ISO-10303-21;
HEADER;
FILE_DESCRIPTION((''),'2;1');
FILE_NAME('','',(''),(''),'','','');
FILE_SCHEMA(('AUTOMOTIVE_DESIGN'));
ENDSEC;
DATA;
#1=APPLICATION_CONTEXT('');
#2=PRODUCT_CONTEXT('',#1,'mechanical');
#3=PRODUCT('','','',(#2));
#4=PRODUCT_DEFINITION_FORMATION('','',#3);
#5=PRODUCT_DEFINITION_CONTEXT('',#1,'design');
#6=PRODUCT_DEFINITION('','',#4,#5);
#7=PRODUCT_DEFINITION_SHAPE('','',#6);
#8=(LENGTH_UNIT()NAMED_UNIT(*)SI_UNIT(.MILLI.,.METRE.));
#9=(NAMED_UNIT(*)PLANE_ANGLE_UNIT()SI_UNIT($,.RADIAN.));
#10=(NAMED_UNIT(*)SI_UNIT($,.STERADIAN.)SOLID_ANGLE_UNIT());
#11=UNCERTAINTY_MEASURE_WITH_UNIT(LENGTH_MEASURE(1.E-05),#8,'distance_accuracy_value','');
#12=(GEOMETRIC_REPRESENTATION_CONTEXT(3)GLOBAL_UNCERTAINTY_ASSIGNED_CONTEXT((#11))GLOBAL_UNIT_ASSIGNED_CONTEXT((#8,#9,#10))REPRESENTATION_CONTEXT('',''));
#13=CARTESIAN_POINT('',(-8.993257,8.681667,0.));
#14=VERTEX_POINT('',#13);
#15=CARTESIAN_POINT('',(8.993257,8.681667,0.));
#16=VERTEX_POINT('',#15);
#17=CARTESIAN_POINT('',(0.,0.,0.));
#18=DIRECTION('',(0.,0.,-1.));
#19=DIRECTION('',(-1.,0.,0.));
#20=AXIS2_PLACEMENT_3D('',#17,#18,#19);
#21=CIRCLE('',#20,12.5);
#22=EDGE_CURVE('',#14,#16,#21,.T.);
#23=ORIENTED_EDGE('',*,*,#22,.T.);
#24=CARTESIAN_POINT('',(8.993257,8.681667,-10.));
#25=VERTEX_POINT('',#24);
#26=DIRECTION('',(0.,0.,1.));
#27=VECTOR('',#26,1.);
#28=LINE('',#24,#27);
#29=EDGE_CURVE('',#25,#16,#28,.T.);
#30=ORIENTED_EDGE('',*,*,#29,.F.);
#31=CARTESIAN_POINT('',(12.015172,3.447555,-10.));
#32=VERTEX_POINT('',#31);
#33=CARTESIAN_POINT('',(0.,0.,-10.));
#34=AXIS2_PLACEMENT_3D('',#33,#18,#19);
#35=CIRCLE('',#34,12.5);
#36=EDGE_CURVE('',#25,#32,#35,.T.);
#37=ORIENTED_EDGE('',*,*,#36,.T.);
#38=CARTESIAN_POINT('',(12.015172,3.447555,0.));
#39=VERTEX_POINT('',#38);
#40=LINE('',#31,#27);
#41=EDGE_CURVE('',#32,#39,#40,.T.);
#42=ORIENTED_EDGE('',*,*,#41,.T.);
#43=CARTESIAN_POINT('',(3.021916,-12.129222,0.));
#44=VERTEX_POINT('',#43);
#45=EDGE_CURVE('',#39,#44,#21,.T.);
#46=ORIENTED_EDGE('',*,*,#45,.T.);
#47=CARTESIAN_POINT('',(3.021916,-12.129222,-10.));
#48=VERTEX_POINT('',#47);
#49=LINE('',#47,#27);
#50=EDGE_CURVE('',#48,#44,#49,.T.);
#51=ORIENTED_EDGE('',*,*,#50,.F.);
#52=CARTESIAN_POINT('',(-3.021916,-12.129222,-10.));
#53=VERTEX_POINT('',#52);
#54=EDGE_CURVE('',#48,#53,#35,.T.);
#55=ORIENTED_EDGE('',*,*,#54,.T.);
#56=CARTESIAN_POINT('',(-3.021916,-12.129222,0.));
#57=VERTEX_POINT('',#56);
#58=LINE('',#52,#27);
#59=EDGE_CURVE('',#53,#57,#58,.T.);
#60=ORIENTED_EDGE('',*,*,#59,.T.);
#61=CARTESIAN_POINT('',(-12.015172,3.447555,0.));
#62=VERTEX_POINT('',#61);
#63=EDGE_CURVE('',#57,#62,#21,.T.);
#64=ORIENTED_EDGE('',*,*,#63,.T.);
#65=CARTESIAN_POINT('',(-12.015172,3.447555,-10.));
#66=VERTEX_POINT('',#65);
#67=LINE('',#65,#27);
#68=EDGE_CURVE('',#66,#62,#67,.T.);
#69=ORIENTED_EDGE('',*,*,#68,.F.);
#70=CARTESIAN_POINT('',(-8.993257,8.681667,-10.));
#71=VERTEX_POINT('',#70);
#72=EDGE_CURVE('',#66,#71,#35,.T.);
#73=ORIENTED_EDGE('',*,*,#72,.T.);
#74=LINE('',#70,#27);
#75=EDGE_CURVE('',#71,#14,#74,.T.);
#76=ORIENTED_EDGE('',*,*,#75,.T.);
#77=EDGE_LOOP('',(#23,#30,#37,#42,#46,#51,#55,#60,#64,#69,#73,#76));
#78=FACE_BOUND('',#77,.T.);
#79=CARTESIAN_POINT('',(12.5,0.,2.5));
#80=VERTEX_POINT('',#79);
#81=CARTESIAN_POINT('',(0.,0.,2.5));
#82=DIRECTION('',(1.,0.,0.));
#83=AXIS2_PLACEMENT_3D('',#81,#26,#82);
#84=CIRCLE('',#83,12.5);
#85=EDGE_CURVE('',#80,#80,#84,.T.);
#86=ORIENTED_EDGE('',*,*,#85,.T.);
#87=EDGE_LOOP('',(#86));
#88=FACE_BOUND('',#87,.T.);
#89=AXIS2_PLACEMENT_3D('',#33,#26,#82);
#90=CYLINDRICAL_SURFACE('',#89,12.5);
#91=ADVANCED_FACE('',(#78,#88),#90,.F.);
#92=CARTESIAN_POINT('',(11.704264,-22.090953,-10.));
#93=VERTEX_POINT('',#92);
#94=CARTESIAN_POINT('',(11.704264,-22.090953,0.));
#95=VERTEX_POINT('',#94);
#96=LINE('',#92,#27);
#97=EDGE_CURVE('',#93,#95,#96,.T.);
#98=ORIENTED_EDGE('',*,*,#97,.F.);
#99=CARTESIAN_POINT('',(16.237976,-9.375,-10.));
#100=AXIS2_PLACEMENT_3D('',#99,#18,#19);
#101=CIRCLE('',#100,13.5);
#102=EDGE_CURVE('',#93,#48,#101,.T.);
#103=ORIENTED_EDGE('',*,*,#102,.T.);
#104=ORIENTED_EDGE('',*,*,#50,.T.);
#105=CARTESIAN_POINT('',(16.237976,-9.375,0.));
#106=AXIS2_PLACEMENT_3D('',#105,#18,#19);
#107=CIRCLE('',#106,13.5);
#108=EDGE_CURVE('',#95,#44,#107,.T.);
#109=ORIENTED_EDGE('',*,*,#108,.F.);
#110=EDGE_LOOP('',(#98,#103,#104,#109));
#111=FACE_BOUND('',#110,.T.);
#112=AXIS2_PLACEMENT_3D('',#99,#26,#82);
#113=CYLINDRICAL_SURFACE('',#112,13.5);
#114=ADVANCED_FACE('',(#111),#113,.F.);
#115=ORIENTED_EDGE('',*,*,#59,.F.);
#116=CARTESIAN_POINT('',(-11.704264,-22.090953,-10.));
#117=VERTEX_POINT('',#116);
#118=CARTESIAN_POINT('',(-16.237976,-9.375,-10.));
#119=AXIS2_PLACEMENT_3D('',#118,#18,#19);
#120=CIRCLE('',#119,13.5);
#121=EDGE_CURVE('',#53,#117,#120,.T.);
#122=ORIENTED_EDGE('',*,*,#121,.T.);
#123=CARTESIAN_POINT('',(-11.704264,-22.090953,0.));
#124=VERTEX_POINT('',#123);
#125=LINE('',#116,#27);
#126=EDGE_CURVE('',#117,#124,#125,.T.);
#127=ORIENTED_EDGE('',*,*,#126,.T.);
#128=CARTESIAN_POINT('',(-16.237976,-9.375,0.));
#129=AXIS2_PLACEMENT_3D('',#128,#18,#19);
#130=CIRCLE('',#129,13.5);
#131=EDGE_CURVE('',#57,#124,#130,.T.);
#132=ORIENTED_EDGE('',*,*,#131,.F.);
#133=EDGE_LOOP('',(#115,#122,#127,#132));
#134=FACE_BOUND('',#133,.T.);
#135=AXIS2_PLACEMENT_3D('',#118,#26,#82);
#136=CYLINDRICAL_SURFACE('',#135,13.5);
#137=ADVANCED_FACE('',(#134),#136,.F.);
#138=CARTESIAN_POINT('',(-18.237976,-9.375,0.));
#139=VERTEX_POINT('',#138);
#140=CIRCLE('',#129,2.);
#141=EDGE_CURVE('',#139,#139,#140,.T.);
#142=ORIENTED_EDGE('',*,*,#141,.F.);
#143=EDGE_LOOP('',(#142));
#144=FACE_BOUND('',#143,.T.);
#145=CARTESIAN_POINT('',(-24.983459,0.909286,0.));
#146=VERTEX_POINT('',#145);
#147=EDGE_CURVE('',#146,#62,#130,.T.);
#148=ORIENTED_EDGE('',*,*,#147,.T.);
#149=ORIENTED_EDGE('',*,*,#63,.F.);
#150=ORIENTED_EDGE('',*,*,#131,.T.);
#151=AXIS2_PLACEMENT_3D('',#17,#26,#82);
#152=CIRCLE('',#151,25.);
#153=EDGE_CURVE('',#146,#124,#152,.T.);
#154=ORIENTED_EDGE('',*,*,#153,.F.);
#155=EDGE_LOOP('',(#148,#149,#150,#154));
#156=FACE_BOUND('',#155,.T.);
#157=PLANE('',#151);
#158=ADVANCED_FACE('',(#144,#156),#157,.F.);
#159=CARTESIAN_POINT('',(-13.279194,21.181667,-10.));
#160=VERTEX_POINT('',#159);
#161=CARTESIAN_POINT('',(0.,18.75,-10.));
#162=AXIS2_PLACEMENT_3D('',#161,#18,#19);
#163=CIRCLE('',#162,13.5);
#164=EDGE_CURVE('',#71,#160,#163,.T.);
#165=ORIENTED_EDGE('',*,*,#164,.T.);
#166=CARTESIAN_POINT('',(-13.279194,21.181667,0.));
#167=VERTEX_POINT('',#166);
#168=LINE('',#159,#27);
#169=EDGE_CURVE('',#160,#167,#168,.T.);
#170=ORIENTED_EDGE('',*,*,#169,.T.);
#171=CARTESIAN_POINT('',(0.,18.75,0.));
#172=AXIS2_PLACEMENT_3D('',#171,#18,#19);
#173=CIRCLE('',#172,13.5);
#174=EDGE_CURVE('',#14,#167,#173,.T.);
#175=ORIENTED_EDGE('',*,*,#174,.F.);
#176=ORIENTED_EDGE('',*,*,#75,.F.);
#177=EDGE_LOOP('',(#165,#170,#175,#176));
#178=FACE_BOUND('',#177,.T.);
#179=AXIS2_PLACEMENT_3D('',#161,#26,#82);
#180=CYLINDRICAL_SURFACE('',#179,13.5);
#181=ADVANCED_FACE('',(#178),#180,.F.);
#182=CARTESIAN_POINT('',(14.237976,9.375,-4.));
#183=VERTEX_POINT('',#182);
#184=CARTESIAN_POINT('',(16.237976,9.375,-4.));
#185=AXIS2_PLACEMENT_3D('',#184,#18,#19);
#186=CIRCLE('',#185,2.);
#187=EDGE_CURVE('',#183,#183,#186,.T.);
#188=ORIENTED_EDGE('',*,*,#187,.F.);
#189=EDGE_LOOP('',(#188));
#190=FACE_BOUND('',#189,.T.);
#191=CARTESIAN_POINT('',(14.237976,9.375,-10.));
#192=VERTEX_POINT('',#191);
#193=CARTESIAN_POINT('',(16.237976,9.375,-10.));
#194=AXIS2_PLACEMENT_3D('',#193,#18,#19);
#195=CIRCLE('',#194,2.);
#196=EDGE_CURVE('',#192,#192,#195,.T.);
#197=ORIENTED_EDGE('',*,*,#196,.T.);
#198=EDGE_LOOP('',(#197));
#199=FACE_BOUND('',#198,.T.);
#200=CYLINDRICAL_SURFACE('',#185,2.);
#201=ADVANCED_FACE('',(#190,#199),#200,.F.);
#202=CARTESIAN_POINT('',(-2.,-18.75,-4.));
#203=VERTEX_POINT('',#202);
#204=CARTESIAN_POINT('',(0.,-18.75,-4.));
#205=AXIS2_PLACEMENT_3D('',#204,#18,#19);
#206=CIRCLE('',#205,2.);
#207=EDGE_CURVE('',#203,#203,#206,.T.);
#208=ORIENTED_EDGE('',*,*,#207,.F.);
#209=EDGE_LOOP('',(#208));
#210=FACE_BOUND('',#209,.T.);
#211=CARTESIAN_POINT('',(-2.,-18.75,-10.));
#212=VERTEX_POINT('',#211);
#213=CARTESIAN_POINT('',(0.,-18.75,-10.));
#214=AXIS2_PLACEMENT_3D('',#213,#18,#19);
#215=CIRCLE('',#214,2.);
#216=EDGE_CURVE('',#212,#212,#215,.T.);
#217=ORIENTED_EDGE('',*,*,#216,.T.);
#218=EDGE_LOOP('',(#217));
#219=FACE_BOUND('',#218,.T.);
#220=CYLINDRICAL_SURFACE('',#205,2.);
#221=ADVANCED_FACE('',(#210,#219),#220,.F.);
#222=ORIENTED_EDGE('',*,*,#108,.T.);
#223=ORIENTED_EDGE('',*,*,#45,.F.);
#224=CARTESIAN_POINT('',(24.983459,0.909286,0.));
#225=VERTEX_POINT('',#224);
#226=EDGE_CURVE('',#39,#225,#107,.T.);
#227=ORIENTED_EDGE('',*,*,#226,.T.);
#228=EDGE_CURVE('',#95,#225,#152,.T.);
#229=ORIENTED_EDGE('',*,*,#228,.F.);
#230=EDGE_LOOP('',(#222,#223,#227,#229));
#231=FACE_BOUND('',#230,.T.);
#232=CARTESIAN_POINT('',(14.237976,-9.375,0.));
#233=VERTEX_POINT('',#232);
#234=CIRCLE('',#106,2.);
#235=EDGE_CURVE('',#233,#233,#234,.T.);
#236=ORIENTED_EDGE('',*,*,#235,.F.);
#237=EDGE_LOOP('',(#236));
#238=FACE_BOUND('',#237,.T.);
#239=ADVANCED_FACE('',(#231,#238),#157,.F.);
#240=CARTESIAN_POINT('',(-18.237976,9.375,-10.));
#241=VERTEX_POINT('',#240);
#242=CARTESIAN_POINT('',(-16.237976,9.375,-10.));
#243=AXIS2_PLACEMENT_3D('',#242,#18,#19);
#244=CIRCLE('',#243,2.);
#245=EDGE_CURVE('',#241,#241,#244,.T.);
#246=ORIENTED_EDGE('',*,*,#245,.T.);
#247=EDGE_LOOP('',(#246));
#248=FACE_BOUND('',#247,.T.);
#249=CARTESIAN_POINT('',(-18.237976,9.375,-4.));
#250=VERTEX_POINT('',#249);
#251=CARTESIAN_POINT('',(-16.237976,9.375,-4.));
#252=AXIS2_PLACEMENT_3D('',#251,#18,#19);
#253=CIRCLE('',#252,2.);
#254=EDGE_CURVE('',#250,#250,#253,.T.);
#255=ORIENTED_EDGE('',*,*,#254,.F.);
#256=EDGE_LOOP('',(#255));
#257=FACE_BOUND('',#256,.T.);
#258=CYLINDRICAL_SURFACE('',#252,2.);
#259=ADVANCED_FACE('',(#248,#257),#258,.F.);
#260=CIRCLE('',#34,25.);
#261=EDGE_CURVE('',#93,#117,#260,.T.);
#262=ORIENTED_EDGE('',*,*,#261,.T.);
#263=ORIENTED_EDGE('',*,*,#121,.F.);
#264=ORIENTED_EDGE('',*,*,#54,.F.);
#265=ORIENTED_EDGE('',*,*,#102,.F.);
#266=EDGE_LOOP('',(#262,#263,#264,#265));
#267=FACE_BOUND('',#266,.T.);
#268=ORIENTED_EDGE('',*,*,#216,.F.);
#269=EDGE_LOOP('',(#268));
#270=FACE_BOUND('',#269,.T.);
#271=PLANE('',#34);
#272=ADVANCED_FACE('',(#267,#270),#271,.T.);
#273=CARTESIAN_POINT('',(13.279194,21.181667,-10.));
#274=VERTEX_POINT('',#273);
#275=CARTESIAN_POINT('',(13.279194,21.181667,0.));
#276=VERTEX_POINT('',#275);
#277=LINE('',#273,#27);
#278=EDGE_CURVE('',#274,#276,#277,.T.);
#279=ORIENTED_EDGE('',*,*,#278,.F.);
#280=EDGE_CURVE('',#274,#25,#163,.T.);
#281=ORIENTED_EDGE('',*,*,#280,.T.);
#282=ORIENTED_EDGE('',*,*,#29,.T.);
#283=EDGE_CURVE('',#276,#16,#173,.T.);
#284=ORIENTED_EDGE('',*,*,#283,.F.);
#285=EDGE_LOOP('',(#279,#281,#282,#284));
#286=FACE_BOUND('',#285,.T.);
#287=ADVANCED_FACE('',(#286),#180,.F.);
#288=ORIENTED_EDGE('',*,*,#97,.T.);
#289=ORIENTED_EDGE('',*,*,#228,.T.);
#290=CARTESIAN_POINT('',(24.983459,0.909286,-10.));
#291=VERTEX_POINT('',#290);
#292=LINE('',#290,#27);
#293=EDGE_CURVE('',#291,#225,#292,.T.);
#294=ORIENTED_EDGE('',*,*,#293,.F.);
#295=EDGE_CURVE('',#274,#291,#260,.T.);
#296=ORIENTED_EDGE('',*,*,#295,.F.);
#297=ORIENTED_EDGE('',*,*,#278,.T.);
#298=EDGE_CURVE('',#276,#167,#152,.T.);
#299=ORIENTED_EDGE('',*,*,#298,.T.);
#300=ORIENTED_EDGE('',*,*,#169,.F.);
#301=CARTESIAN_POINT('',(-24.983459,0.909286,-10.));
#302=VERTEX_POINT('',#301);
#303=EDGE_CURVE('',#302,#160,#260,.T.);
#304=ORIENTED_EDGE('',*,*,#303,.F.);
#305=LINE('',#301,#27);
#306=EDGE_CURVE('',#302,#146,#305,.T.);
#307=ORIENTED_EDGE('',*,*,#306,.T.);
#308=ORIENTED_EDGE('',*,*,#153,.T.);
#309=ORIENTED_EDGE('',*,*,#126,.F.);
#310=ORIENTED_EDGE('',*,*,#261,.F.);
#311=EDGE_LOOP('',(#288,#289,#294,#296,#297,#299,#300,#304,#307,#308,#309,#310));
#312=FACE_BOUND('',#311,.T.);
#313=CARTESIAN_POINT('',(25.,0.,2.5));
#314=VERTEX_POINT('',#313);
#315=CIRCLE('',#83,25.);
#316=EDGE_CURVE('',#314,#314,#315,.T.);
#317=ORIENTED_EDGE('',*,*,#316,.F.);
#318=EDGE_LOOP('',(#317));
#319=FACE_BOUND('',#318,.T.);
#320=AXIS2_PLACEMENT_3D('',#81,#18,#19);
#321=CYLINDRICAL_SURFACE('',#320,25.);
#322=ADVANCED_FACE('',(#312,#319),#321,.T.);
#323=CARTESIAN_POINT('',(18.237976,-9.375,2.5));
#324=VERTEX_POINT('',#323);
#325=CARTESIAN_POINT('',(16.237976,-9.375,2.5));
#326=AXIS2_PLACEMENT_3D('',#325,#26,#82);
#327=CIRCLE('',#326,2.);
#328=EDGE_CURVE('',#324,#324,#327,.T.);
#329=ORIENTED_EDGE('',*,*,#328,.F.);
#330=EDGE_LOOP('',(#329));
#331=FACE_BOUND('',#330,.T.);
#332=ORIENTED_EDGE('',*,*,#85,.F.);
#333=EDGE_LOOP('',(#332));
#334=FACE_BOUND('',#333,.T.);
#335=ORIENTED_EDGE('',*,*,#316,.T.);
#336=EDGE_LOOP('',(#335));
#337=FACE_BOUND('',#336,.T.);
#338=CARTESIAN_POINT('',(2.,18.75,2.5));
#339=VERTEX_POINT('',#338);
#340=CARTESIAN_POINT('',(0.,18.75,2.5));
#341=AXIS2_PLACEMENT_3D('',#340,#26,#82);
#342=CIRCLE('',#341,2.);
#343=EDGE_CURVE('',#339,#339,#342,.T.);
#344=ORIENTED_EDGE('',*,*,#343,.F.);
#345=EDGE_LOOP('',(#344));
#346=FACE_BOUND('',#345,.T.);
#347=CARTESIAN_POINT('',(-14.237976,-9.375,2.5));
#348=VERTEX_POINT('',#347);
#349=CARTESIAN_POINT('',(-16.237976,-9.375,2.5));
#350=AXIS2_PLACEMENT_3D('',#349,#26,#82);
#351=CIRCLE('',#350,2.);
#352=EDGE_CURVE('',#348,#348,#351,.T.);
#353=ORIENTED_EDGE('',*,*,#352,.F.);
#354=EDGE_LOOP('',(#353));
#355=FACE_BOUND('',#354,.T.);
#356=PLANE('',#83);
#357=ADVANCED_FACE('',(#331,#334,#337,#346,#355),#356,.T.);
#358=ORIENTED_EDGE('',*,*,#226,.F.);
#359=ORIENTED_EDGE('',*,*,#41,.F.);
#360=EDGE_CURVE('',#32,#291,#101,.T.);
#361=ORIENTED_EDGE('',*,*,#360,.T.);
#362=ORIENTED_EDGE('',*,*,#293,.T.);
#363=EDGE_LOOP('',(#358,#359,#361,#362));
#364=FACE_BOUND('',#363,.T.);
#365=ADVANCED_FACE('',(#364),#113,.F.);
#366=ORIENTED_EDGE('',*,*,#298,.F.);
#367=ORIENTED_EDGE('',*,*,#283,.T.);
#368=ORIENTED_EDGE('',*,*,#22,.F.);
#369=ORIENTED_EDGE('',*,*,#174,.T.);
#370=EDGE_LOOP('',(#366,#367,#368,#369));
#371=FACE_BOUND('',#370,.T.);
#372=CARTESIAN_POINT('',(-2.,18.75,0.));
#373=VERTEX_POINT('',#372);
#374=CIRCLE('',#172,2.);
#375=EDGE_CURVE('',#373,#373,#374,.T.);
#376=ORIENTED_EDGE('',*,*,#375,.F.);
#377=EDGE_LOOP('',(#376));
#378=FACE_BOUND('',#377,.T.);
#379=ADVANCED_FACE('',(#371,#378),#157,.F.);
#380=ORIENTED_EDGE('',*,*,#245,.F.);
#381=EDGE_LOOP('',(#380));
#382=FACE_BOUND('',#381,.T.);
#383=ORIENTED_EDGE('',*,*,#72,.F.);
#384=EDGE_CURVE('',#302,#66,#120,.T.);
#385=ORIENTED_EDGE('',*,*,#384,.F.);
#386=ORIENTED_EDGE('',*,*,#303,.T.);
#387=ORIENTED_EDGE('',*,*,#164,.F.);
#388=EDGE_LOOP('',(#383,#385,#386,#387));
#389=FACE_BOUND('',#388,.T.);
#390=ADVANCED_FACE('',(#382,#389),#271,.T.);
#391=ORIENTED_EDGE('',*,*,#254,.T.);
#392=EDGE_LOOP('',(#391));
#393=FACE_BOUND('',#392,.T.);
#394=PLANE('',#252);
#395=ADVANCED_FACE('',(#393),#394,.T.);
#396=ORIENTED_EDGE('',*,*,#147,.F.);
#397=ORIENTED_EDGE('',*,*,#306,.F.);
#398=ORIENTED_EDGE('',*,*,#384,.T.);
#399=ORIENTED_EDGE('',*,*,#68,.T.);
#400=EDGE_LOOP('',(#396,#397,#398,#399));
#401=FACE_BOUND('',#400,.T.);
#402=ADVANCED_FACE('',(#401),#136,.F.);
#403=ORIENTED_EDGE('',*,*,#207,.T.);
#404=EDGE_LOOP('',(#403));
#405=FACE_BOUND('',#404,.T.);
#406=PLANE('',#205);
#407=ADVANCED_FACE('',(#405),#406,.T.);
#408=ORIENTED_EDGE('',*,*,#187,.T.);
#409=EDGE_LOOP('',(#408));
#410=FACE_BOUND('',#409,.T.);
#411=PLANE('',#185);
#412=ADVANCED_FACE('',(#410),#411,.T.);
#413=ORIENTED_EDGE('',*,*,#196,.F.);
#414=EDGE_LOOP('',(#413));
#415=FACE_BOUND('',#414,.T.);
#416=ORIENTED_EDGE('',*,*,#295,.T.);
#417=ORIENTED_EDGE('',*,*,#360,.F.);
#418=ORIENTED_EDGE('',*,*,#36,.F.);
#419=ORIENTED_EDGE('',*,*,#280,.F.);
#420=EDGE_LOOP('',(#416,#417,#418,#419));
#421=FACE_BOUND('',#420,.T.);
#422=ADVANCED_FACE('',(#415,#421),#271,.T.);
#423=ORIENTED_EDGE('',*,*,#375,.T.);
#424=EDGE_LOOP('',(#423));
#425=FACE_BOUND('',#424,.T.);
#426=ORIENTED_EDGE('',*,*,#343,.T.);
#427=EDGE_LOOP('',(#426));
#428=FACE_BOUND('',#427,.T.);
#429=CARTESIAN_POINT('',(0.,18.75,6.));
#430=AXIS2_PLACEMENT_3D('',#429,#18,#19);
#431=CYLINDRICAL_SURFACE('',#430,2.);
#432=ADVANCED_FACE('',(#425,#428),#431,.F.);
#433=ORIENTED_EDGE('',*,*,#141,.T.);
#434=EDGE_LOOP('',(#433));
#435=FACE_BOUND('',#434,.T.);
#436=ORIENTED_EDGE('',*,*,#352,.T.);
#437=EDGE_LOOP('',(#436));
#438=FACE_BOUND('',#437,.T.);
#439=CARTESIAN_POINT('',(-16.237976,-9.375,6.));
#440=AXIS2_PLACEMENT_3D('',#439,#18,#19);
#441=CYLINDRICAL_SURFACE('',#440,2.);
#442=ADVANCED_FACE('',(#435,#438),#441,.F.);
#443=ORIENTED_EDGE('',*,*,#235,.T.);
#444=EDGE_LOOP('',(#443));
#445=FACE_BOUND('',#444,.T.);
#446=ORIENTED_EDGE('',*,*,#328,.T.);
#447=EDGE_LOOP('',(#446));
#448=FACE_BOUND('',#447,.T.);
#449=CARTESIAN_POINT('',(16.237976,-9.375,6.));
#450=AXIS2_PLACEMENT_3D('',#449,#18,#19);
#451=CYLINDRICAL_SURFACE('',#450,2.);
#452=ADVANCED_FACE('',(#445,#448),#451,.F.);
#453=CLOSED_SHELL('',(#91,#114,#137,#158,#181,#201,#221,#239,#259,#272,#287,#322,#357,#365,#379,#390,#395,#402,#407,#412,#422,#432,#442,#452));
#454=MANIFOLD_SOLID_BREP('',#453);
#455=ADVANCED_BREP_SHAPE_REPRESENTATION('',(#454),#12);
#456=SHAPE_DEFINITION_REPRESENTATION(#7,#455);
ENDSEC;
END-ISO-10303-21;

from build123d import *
from build123d.topology import SkipClean

# Parameters (mm, degrees)
SKETCH1_R           = 25
BOSS_EXTRUDE1_DEPTH = 2.5
BOSS_EXTRUDE2_START = 10
BOSS_EXTRUDE2_DEPTH = 10
SKETCH4_R           = 12.5
CUT_EXTRUDE1_DEPTH  = 8.2
SKETCH6_R           = 2
CUT_EXTRUDE3_DEPTH  = 6
SKETCH8_R           = 2
CUT_EXTRUDE4_DEPTH  = 6


with BuildPart() as part:
    # Sketch1 → Boss-Extrude1 (new body)
    with BuildSketch(Plane.XY):
        Circle(SKETCH1_R)
    extrude(amount=BOSS_EXTRUDE1_DEPTH)

    # Sketch3 → Boss-Extrude2 (add)
    with SkipClean():  # the faces are left unmerged after this step: merging them gives an invalid solid
        with BuildSketch(Plane(origin=(0, 0, 0), x_dir=(-1, 0, 0), z_dir=(0, 0, -1)).offset(BOSS_EXTRUDE2_START)):
            with BuildLine():
                ThreePointArc((-3.021915591, -12.129221993), (-6.060912506, -18.245026612), (-11.704264354, -22.090952807))
                ThreePointArc((-11.704264354, -22.090952807), (0, -25), (11.704264354, -22.090952807))
                ThreePointArc((11.704264354, -22.090952807), (6.060912506, -18.245026612), (3.021915591, -12.129221993))
                ThreePointArc((3.021915591, -12.129221993), (0, -12.5), (-3.021915591, -12.129221993))
            make_face()
            with BuildLine():
                ThreePointArc((-24.983458502, 0.909286141), (-18.831112792, 3.873609106), (-12.01517217, 3.447555327))
                ThreePointArc((-12.01517217, 3.447555327), (-10.825317547, 6.25), (-8.993256579, 8.681666667))
                ThreePointArc((-8.993256579, 8.681666667), (-12.770200286, 14.371417506), (-13.279194148, 21.181666667))
                ThreePointArc((-13.279194148, 21.181666667), (-21.650635095, 12.5), (-24.983458502, 0.909286141))
            make_face()
            with BuildLine():
                ThreePointArc((12.01517217, 3.447555327), (18.831112792, 3.873609106), (24.983458502, 0.909286141))
                ThreePointArc((24.983458502, 0.909286141), (21.650635095, 12.5), (13.279194148, 21.181666667))
                ThreePointArc((13.279194148, 21.181666667), (12.770200286, 14.371417506), (8.993256579, 8.681666667))
                ThreePointArc((8.993256579, 8.681666667), (10.825317547, 6.25), (12.01517217, 3.447555327))
            make_face()
        extrude(amount=-BOSS_EXTRUDE2_DEPTH)

    # Sketch4 → Cut-Extrude1 (cut)
    with SkipClean():  # the faces are left unmerged after this step: merging them gives an invalid solid
        with BuildSketch(Plane(origin=(0, 0, 0), x_dir=(-1, 0, 0), z_dir=(0, 0, -1))):
            with Locations(Location((0, 0, 0), (0, 0, 180))):
                Circle(SKETCH4_R)
        extrude(amount=-CUT_EXTRUDE1_DEPTH, mode=Mode.SUBTRACT)

    # Sketch6 → Cut-Extrude3 (cut)
    with SkipClean():  # the faces are left unmerged after this step: merging them gives an invalid solid
        with BuildSketch(Plane(origin=(0, 0, -10), x_dir=(-1, 0, 0), z_dir=(0, 0, -1))):
            with Locations((16.237976321, 9.375)):
                Circle(SKETCH6_R)
            with Locations((0, -18.75)):
                Circle(SKETCH6_R)
            with Locations((-16.237976321, 9.375)):
                Circle(SKETCH6_R)
        extrude(amount=-CUT_EXTRUDE3_DEPTH, mode=Mode.SUBTRACT)

    # Sketch8 → Cut-Extrude4 (cut)
    with SkipClean():  # the faces are left unmerged after this step: merging them gives an invalid solid
        with BuildSketch(Plane(origin=(0, 0, 0), x_dir=(-1, 0, 0), z_dir=(0, 0, -1))):
            with Locations((-16.237976321, -9.375)):
                Circle(SKETCH8_R)
            with Locations((0, 18.75)):
                Circle(SKETCH8_R)
            with Locations((16.237976321, -9.375)):
                Circle(SKETCH8_R)
        extrude(amount=-CUT_EXTRUDE4_DEPTH, mode=Mode.SUBTRACT)


solid = part.part
